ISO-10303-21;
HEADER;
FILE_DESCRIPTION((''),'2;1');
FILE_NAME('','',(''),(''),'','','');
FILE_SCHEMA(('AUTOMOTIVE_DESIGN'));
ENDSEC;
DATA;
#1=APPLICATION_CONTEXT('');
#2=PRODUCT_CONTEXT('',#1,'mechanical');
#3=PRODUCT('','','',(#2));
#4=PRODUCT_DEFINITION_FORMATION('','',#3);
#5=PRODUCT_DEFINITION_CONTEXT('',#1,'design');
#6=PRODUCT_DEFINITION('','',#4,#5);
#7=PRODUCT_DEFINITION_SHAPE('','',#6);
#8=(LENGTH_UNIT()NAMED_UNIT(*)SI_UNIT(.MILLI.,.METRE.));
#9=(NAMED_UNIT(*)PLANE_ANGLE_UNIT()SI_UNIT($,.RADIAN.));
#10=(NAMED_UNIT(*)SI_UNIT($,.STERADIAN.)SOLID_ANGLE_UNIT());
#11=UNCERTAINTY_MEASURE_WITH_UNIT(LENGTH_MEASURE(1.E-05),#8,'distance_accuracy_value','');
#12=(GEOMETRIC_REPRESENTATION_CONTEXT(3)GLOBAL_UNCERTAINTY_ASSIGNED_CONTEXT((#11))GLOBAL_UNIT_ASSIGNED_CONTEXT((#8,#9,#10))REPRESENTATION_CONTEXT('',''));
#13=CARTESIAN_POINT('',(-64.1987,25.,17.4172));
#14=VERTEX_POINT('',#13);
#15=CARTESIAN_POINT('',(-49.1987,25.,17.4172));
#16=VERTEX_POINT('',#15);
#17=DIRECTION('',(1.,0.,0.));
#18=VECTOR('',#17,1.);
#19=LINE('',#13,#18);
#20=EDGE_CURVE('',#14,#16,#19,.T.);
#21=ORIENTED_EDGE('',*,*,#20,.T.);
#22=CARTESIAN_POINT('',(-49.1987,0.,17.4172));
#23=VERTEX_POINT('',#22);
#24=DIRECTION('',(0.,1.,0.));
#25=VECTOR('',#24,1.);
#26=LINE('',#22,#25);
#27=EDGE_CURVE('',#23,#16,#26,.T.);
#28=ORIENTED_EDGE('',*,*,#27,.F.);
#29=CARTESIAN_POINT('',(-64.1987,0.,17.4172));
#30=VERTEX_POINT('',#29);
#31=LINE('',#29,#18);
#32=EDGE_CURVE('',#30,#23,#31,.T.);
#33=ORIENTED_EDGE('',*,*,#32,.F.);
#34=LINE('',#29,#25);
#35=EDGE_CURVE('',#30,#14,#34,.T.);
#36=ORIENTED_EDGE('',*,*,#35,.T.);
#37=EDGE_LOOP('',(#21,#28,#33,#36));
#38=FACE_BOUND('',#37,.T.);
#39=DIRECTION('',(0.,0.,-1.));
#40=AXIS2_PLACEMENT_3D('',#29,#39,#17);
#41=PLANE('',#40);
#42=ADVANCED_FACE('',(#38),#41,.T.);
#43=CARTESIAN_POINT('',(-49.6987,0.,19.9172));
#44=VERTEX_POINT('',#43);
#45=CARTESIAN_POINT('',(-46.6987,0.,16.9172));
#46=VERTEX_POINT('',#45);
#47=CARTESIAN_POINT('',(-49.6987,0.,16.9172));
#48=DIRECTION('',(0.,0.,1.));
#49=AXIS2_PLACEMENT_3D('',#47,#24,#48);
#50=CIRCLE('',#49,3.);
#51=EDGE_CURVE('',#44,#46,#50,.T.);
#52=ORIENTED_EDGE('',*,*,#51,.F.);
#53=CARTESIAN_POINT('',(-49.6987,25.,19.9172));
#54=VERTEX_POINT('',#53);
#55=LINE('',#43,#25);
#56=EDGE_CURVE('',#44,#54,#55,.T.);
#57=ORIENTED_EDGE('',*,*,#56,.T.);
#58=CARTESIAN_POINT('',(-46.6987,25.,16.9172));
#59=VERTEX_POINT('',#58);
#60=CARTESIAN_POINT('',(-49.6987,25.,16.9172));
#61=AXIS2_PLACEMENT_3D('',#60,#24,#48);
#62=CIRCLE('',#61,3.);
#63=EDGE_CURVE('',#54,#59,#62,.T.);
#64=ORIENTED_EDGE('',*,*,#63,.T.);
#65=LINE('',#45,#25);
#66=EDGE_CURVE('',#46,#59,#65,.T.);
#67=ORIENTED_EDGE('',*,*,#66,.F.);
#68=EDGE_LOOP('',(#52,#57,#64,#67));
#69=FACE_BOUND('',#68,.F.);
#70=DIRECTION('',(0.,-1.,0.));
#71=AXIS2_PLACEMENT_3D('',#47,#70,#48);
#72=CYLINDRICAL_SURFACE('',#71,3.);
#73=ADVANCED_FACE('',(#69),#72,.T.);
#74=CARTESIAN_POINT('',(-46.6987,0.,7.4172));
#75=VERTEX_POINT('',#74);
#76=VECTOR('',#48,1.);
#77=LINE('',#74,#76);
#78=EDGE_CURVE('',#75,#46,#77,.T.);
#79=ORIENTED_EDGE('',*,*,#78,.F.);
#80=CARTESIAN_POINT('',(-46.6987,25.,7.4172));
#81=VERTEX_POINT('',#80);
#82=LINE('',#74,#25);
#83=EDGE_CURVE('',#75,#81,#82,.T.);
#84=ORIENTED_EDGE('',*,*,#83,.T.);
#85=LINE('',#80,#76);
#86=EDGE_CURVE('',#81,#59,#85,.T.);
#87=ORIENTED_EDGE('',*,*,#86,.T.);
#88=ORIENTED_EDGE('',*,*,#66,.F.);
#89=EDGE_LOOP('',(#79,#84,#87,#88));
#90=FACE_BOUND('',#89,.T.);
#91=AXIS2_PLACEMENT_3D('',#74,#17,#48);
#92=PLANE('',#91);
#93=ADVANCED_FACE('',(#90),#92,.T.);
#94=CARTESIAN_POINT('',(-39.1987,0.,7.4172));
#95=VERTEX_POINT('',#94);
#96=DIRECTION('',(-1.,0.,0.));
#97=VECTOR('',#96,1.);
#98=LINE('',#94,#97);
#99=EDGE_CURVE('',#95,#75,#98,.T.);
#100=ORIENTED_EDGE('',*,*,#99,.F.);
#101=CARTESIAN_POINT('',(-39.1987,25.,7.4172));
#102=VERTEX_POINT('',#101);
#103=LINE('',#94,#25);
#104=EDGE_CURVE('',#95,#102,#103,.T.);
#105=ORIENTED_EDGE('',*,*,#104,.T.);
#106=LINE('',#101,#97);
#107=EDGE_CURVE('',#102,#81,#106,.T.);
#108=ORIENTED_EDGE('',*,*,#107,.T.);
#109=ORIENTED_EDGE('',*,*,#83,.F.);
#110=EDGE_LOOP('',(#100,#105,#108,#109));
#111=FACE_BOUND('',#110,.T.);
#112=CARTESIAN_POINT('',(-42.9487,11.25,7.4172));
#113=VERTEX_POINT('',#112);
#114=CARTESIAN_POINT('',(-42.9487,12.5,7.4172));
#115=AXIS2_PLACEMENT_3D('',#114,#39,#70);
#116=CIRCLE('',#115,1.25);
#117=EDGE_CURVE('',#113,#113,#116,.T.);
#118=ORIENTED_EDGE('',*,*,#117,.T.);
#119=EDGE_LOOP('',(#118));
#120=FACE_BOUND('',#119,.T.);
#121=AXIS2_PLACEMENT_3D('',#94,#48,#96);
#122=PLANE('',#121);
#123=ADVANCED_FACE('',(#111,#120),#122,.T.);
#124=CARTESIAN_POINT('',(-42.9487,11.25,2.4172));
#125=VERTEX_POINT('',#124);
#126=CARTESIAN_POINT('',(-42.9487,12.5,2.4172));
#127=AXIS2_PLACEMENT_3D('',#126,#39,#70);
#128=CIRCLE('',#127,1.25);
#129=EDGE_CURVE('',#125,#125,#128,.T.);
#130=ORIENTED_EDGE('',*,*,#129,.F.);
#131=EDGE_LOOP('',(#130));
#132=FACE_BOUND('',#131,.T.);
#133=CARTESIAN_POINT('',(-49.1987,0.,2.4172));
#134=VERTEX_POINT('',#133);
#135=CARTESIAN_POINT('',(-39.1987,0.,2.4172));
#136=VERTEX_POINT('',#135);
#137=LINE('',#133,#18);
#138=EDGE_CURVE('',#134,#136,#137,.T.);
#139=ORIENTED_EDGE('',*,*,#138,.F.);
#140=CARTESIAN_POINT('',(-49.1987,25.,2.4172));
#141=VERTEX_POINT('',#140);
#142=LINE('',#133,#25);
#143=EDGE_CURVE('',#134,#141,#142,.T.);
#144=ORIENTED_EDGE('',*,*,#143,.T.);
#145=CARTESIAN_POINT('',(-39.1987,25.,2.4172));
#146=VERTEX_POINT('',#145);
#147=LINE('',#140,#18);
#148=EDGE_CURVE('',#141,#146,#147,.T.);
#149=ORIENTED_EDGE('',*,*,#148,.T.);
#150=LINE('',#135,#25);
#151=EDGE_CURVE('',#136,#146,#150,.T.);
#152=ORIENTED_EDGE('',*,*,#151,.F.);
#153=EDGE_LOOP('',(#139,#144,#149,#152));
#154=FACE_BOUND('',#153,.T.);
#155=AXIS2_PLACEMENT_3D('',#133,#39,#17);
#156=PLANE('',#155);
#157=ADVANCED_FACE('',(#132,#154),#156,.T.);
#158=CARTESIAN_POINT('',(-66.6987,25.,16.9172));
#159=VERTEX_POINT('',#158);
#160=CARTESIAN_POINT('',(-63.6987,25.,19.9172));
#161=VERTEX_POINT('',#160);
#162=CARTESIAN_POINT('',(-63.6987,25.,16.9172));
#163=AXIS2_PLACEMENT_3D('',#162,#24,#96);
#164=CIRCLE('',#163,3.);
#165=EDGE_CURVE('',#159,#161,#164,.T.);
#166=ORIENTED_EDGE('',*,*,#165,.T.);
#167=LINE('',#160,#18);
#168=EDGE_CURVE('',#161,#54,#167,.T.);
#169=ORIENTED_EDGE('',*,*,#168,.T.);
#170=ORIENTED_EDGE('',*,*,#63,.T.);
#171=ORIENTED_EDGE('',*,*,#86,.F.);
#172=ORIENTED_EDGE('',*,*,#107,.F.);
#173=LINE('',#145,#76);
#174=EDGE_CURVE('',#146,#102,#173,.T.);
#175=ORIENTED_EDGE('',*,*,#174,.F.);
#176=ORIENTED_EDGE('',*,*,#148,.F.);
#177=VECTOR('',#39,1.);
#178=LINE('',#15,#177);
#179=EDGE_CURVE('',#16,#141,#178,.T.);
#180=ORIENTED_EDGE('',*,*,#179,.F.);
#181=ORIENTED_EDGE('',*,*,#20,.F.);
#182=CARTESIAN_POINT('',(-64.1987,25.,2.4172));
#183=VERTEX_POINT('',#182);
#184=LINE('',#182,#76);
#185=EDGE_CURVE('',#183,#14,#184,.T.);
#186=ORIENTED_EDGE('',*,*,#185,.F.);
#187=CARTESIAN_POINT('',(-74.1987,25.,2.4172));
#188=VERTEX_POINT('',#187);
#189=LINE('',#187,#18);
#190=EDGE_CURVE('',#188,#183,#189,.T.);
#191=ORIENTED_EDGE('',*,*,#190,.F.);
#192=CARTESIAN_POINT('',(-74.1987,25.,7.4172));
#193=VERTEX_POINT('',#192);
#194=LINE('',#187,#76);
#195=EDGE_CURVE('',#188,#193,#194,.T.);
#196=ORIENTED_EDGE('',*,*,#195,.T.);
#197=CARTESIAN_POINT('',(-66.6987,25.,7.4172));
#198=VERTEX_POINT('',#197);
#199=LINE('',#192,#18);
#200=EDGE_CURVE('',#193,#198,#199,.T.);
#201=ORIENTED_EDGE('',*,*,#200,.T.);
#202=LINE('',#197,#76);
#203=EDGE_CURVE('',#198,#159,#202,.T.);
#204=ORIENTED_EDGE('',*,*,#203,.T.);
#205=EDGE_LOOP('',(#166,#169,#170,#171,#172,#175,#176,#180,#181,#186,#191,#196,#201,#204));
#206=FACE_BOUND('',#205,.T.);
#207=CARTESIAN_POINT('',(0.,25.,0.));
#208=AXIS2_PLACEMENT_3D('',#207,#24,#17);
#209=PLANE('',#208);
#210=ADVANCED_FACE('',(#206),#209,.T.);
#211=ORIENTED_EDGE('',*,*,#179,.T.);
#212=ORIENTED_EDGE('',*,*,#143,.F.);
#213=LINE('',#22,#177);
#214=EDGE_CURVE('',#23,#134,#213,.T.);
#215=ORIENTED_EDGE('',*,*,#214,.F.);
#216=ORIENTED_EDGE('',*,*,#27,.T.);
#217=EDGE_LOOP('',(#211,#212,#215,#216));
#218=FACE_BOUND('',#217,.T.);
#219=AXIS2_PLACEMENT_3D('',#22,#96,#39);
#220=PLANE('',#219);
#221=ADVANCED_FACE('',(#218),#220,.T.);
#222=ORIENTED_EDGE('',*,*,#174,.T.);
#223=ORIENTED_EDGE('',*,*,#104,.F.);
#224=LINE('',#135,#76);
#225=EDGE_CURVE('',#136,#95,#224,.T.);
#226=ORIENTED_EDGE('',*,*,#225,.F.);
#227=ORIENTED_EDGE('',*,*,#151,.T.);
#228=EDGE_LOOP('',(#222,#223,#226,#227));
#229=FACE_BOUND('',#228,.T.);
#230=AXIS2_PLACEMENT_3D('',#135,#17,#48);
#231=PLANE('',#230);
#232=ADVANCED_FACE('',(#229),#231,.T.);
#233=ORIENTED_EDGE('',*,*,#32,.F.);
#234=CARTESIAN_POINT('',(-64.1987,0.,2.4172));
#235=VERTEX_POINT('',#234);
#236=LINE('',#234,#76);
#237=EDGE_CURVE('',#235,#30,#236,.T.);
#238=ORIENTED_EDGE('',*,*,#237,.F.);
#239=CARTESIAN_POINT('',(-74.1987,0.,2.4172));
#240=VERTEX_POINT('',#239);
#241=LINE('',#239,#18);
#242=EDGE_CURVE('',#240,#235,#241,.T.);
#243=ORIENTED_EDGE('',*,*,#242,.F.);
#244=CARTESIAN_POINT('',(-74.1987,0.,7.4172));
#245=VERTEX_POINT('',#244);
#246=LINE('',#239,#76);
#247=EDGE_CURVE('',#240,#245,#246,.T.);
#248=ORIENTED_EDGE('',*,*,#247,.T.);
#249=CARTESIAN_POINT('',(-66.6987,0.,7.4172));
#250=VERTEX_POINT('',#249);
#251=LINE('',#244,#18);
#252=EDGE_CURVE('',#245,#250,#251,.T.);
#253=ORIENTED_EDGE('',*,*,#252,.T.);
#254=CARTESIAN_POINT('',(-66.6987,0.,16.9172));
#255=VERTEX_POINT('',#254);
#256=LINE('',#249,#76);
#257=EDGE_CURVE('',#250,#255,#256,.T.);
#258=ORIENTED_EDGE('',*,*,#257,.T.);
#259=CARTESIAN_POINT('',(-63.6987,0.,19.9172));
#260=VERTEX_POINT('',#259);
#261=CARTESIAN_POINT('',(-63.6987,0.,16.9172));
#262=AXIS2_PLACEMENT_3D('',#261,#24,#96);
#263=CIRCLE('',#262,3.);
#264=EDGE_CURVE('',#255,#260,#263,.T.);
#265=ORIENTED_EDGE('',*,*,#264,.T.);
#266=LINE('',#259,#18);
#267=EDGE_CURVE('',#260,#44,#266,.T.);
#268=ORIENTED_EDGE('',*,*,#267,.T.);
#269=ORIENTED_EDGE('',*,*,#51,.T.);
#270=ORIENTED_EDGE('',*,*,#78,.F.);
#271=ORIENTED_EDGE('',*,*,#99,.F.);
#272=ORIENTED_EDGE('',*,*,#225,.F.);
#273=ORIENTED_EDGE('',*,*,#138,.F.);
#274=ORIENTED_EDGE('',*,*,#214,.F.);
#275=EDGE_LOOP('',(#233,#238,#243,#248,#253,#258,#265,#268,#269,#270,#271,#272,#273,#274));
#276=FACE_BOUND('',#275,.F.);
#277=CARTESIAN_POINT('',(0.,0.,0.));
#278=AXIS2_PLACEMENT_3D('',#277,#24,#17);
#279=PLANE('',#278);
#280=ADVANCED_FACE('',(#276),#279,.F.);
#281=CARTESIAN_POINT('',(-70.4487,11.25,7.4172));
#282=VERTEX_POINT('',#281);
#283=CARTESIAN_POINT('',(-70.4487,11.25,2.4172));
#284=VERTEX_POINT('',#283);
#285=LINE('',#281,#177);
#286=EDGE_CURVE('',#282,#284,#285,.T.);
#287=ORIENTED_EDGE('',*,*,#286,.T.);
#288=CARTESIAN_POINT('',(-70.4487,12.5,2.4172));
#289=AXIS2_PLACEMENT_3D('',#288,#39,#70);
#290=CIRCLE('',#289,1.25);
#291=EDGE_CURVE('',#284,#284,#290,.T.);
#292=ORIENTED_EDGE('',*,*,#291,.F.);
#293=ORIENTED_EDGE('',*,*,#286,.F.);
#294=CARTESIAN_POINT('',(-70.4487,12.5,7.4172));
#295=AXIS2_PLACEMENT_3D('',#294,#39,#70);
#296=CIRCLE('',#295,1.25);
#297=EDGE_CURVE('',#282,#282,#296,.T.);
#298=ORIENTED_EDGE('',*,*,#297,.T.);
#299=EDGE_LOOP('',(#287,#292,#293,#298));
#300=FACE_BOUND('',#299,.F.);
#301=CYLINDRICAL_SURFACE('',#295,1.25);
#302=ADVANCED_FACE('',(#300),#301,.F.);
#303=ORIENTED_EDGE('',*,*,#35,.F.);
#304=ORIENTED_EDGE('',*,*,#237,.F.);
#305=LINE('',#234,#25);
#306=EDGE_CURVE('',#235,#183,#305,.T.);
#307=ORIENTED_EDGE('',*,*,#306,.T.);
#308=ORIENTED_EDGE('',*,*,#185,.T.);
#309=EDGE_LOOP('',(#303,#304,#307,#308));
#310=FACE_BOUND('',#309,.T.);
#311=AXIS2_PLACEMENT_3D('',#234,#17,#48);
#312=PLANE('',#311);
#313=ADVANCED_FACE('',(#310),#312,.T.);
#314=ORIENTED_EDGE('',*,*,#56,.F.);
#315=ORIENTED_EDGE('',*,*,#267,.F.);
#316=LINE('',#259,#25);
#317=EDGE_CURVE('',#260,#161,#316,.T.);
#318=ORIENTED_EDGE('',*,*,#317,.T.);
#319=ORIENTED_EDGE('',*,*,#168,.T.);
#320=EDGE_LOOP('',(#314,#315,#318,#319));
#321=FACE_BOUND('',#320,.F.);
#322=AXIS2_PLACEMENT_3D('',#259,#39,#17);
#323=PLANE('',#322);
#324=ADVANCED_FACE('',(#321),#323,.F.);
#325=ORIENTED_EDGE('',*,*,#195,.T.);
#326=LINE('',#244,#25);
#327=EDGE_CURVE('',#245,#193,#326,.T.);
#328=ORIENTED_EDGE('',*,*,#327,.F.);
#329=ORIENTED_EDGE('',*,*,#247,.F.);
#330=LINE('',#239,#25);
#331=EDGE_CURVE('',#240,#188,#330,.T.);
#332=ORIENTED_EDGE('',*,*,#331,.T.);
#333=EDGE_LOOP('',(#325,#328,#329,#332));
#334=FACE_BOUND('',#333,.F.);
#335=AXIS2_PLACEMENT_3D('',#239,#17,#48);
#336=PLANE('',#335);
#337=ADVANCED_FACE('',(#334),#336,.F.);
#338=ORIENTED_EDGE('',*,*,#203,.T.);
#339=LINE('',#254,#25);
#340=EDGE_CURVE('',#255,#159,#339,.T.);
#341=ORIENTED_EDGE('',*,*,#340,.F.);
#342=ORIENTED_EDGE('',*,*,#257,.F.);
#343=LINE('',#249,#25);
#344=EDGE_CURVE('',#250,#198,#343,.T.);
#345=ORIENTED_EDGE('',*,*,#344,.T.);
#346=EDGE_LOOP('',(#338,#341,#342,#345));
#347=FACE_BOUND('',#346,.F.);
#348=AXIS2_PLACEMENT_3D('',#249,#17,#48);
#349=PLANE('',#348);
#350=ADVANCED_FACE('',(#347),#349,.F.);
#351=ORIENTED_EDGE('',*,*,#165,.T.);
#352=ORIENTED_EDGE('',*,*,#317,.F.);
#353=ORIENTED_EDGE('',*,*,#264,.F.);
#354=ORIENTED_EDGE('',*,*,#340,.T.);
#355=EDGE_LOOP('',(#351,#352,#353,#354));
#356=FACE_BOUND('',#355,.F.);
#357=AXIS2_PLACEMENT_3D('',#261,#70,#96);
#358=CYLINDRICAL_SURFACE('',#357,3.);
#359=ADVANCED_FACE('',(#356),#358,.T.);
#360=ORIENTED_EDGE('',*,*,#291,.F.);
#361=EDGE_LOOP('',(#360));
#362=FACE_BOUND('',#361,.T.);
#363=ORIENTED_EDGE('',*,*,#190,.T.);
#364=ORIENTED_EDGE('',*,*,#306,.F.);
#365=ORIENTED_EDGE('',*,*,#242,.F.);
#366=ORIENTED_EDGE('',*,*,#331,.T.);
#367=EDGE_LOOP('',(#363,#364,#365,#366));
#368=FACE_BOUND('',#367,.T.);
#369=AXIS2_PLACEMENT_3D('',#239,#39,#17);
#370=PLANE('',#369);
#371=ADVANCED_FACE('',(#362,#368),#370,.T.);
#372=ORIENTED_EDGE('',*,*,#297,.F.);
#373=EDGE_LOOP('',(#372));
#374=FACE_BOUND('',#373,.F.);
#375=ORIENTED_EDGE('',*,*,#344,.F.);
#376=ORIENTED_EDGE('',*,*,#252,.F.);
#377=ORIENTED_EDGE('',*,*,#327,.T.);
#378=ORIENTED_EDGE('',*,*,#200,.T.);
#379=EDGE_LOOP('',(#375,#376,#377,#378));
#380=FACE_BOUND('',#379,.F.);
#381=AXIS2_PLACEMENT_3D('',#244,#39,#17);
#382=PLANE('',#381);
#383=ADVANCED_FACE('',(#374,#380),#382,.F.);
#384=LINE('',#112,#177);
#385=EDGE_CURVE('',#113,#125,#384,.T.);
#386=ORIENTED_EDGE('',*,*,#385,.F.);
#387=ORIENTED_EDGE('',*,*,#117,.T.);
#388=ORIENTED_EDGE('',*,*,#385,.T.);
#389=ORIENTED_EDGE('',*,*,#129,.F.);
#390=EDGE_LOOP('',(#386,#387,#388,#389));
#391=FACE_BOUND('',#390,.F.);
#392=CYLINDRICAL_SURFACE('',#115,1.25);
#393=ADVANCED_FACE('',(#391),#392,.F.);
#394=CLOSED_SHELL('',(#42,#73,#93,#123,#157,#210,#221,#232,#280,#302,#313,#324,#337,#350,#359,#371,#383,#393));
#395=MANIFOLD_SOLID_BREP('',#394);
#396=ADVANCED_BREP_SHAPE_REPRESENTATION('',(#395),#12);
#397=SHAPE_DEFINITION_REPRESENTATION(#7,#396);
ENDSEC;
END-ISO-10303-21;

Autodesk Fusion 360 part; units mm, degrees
sketch "Esboço1" plane through (0, 0, 0) normal (0, 1, 0) x (1, 0, 0)
  line L0 (-74.1987, -2.4172) -> (-64.1987, -2.4172)
  line L1 (-64.1987, -2.4172) -> (-64.1987, -17.4172)
  line L2 (-64.1987, -17.4172) -> (-49.1987, -17.4172)
  line L3 (-49.1987, -17.4172) -> (-49.1987, -1)
  line L4 (-49.1987, -1) -> (-49.1987, -2.4172)
  line L5 (-49.1987, -2.4172) -> (-39.1987, -2.4172)
  line L6 (-39.1987, -2.4172) -> (-39.1987, -7.4172)
  line L7 (-74.1987, -2.4172) -> (-74.1987, -7.4172)
  line L8 (-74.1987, -7.4172) -> (-66.6987, -7.4172)
  line L9 (-66.6987, -7.4172) -> (-66.6987, -16.9172)
  line L10 (-39.1987, -7.4172) -> (-46.6987, -7.4172)
  line L11 (-46.6987, -7.4172) -> (-46.6987, -16.9172)
  line L12 (-63.6987, -19.9172) -> (-49.6987, -19.9172)
  arc A0 (-66.6987, -16.9172) -> (-63.6987, -19.9172) centre (-63.6987, -16.9172) ccw
  arc A1 (-49.6987, -19.9172) -> (-46.6987, -16.9172) centre (-49.6987, -16.9172) ccw
  point P0 (-66.6987, -19.9172)
  point P1 (-46.6987, -19.9172)
  dimension "d1" = 10
  dimension "d2" = 15
  dimension "d3" = 15
  dimension "d4" = 10
  dimension "d5" = 5
  dimension "d6" = 5
  dimension "d7" = 7.5
  dimension "d8" = 12.5
  dimension "d9" = 7.5
  dimension "d10" = 12.5
  dimension "d11" = 3
extrude "Extrusão1" add sketch "Esboço1" along normal blind 25
sketch "Esboço2" plane through (0, 0, 0) normal (0, 0, 1) x (1, 0, 0)
hole "Furo1" at (-70.4487, 12.5, 7.4172) direction (0, 0, -1) diameter 2.5 depth 9 tip angle 118
hole "Furo2" at (-42.9487, 12.5, 7.4172) direction (0, 0, -1) diameter 2.5 depth 9 tip angle 118
